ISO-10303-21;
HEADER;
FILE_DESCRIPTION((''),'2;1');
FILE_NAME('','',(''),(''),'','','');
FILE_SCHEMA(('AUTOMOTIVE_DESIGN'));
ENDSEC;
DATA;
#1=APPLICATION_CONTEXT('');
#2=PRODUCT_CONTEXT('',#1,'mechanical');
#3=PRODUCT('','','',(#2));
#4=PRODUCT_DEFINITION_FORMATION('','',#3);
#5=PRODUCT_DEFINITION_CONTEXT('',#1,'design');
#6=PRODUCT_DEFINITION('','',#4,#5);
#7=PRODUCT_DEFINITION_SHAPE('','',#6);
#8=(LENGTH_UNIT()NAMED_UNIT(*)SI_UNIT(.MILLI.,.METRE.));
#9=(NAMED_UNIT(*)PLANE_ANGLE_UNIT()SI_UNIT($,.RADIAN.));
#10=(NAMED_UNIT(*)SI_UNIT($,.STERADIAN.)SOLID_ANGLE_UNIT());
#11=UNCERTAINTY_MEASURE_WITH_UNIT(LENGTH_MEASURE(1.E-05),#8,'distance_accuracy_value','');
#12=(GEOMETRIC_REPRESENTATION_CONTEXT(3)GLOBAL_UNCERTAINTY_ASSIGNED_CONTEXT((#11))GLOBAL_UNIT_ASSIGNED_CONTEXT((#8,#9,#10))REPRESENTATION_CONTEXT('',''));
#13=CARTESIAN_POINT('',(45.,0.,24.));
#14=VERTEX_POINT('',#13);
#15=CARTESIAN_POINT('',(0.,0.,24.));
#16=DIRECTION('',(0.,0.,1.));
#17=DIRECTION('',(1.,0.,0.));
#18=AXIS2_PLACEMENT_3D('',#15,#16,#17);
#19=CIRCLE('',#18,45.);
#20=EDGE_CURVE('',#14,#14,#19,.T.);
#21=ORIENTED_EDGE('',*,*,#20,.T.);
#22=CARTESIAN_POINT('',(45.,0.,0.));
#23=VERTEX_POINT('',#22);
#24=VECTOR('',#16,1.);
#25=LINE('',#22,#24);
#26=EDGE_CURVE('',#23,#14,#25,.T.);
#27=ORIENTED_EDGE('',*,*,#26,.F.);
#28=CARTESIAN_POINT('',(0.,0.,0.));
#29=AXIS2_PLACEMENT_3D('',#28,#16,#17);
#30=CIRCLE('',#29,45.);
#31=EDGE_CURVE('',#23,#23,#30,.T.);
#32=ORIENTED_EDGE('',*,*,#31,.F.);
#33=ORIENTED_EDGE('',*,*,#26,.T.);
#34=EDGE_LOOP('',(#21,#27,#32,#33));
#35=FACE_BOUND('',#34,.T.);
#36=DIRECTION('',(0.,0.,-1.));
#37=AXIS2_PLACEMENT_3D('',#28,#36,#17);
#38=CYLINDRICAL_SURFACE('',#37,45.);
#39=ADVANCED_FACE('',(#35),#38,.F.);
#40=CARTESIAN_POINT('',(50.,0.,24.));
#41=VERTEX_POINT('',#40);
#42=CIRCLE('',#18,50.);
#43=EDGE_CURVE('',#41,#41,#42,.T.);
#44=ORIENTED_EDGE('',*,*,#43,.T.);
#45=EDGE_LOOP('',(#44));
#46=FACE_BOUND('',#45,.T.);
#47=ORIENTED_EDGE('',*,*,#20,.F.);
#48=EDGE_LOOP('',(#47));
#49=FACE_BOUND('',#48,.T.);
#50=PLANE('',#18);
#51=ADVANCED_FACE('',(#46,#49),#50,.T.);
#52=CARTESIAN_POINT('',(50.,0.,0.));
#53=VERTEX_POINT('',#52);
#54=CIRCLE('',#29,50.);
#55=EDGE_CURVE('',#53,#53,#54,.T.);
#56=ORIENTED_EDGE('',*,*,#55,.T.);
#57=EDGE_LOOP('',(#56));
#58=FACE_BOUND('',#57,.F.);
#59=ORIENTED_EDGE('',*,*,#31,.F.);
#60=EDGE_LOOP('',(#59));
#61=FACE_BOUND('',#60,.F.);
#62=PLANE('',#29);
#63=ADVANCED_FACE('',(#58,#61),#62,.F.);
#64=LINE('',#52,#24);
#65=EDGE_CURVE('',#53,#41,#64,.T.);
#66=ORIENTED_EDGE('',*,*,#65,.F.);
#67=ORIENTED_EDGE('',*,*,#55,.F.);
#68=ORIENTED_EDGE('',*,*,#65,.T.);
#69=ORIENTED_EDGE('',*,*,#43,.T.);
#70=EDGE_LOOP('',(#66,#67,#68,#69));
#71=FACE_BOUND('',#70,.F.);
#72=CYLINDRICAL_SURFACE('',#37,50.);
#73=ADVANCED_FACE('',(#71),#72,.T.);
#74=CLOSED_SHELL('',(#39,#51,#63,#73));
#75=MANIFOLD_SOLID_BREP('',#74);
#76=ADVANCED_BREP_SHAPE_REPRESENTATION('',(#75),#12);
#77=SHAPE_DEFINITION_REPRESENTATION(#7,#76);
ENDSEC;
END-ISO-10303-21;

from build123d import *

# Parameters (mm, degrees)
SKETCH_R   = 50
SKETCH_R_2 = 45
PAD_DEPTH  = 24


with BuildPart() as part:
    # Sketch → Pad (new body)
    with BuildSketch(Plane.XY):
        Circle(SKETCH_R)
        Circle(SKETCH_R_2, mode=Mode.SUBTRACT)
    extrude(amount=PAD_DEPTH)


solid = part.part
